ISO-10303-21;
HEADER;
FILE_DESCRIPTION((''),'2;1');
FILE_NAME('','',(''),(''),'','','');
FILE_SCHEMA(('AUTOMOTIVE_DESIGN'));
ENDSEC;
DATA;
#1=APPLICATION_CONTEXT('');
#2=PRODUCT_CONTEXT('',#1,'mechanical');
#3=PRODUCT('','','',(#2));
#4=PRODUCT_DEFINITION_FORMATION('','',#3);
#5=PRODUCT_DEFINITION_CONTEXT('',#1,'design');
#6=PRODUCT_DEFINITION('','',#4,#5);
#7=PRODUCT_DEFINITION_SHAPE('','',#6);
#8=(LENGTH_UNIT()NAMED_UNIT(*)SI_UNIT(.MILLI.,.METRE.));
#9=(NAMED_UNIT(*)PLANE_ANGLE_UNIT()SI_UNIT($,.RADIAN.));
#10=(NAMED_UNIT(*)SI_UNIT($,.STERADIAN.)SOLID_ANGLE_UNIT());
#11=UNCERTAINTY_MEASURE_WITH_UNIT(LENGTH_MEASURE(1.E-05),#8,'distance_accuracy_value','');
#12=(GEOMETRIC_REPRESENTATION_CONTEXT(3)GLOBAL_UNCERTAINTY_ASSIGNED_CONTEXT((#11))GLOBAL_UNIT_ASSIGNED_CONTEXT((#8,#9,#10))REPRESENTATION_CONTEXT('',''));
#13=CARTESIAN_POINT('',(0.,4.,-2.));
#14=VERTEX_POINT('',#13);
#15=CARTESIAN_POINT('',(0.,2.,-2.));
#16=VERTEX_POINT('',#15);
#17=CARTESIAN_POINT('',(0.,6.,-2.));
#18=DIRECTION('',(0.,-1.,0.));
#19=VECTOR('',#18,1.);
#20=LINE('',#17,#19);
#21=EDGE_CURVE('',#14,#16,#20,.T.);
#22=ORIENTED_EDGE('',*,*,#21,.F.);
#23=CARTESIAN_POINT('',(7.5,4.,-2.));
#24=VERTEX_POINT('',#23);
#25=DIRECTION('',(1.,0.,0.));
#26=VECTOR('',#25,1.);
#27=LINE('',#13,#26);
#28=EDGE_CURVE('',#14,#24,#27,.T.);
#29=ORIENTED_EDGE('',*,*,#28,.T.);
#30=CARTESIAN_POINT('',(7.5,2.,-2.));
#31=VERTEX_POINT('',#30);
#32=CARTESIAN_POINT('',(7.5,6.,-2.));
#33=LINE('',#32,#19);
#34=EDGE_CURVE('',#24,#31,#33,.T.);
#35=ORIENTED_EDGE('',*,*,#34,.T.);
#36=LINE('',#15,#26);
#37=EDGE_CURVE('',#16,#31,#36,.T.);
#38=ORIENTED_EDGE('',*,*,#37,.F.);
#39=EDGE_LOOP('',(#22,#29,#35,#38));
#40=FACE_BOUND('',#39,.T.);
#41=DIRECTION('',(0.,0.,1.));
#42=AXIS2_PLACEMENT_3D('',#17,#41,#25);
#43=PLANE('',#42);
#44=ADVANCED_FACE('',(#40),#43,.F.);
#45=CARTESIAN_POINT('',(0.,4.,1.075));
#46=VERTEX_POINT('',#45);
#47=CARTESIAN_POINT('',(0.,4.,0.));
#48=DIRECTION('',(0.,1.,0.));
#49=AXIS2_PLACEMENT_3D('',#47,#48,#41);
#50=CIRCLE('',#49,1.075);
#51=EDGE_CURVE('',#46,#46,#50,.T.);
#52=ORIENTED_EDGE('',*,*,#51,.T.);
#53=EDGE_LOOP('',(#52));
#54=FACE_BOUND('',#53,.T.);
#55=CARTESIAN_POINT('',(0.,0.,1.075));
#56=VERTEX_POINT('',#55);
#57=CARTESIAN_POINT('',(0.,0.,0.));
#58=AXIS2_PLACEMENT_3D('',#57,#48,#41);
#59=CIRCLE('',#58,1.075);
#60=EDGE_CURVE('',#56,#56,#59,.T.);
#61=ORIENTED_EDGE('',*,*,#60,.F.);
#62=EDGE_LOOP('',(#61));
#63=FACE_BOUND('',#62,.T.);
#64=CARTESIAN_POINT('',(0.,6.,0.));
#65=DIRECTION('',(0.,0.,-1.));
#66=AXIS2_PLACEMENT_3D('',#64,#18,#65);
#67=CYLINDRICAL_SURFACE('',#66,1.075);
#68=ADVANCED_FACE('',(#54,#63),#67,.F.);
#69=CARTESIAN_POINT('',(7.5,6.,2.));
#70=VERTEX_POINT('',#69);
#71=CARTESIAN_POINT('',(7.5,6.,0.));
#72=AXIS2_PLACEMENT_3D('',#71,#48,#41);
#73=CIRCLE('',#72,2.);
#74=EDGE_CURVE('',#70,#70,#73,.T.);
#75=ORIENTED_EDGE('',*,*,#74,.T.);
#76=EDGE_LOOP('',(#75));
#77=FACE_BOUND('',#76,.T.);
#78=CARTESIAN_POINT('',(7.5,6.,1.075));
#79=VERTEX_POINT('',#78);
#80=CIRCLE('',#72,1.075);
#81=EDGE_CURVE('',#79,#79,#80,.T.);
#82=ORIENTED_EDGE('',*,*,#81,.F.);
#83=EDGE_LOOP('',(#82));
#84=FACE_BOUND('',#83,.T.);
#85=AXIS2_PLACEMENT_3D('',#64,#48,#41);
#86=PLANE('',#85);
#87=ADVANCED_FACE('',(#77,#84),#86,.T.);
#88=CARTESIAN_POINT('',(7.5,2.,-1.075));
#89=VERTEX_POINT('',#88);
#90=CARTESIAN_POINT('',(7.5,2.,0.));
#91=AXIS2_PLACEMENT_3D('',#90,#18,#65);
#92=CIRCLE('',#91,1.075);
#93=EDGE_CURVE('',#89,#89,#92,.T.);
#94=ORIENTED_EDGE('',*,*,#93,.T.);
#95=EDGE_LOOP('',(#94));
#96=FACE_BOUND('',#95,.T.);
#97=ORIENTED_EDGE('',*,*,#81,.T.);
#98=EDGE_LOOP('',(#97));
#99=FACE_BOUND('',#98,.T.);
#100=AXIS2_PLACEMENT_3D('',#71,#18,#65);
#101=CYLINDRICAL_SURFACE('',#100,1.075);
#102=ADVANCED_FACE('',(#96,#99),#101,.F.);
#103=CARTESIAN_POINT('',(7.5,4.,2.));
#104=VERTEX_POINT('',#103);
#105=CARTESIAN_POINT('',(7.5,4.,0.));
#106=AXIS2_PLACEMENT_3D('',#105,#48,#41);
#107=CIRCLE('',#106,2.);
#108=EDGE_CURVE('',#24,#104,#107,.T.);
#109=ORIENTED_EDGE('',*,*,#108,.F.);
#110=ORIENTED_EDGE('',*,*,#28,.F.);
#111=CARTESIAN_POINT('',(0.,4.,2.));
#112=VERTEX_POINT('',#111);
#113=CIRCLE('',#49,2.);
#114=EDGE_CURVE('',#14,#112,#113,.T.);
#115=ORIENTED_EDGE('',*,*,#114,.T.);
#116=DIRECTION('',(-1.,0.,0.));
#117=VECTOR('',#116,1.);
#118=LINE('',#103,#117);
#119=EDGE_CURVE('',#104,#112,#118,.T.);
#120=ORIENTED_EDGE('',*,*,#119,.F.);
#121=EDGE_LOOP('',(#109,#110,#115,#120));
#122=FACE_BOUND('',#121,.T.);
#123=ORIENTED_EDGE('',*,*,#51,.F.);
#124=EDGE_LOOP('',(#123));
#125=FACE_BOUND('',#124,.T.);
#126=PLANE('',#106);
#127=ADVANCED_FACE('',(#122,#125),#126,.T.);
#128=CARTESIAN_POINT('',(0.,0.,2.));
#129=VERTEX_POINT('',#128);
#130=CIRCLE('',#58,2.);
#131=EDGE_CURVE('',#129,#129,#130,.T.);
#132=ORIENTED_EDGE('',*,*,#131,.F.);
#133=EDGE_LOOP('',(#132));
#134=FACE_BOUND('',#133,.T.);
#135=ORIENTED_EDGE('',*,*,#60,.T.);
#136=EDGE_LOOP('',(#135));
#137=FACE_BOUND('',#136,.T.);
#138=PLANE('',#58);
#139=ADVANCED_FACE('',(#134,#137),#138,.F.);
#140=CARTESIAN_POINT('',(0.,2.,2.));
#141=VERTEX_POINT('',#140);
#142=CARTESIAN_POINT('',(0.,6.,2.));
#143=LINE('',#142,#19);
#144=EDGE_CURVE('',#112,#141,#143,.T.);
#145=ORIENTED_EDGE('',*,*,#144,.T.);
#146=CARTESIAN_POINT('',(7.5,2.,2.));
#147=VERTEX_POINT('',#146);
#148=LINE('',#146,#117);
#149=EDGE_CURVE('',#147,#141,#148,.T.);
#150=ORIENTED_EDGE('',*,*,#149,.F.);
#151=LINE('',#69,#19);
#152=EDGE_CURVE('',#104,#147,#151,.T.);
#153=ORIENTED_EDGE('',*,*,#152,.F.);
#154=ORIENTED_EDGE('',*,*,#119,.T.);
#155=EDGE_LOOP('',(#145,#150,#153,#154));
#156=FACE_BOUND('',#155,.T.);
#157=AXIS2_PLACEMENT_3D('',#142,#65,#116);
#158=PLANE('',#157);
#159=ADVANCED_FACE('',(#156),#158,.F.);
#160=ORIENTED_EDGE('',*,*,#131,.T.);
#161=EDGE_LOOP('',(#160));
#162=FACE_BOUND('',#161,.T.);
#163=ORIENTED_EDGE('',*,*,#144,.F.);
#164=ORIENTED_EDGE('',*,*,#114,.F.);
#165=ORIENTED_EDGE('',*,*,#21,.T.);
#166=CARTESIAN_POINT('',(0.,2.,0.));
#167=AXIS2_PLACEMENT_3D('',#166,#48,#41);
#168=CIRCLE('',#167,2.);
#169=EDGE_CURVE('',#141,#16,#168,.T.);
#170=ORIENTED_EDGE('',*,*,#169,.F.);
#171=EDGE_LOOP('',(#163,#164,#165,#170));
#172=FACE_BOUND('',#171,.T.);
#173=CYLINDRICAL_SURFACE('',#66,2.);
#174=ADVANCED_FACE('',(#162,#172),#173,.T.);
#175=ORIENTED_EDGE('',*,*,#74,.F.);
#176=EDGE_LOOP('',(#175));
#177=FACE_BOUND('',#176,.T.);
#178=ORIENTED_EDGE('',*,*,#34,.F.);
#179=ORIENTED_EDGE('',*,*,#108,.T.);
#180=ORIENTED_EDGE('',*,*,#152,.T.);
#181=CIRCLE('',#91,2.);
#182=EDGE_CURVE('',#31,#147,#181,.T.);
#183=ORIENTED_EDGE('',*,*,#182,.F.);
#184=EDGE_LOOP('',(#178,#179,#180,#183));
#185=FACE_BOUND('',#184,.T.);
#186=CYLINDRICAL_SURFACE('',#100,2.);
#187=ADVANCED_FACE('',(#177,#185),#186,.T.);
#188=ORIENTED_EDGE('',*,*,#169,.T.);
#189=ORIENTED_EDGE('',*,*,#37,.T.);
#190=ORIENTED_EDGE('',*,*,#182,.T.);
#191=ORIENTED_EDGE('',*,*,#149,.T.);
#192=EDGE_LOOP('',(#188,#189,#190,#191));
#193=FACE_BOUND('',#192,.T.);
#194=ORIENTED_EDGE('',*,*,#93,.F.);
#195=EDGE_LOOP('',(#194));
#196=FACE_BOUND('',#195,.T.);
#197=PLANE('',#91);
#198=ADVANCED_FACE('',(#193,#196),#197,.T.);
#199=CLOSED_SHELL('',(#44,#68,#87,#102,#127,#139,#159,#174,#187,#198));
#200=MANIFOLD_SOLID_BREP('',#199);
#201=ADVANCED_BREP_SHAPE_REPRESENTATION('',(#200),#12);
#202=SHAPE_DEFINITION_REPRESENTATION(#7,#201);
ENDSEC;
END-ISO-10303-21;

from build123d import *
from build123d.topology import SkipClean

# Parameters (mm, degrees)
SKETCH1_R           = 1.075
BOSS_EXTRUDE1_DEPTH = 6
CUT_EXTRUDE1_START  = -2
CUT_EXTRUDE1_DEPTH  = 2
CUT_EXTRUDE2_DEPTH  = 2


with BuildPart() as part:
    # Sketch1 → Boss-Extrude1 (new body)
    with BuildSketch(Plane(origin=(0, 0, 0), x_dir=(1, 0, 0), z_dir=(0, 1, 0))):
        with BuildLine():
            Line((0, 2), (7.5, 2))
            ThreePointArc((7.5, 2), (9.5, 0), (7.5, -2))
            Line((7.5, -2), (0, -2))
            ThreePointArc((0, -2), (-2, 0), (0, 2))
        make_face()
        with Locations(Location((0, 0, 0), (0, 0, 270))):
            Circle(SKETCH1_R, mode=Mode.SUBTRACT)
        with Locations(Location((7.5, 0, 0), (0, 0, 270))):
            Circle(SKETCH1_R, mode=Mode.SUBTRACT)
    extrude(amount=BOSS_EXTRUDE1_DEPTH)

    # Sketch2 → Cut-Extrude1 (cut)
    with BuildSketch(Plane(origin=(0, 6, 0), x_dir=(1, 0, 0), z_dir=(0, 1, 0)).offset(CUT_EXTRUDE1_START)):
        with BuildLine():
            Line((0, 2), (7.5, 2))
            ThreePointArc((7.5, 2), (5.5, 0), (7.5, -2))
            Line((7.5, -2), (0, -2))
            ThreePointArc((0, -2), (-2, 0), (0, 2))
        make_face()
    extrude(amount=CUT_EXTRUDE1_DEPTH, mode=Mode.SUBTRACT)

    # Sketch3 → Cut-Extrude2 (cut)
    with SkipClean():  # the faces are left unmerged after this step: merging them gives an invalid solid
        with BuildSketch(Plane.XZ):
            with BuildLine():
                Line((7.5, 2), (0, 2))
                ThreePointArc((0, 2), (2, 0), (0, -2))
                Line((0, -2), (7.5, -2))
                ThreePointArc((7.5, -2), (9.5, 0), (7.5, 2))
            make_face()
        extrude(amount=-CUT_EXTRUDE2_DEPTH, mode=Mode.SUBTRACT)


solid = part.part
